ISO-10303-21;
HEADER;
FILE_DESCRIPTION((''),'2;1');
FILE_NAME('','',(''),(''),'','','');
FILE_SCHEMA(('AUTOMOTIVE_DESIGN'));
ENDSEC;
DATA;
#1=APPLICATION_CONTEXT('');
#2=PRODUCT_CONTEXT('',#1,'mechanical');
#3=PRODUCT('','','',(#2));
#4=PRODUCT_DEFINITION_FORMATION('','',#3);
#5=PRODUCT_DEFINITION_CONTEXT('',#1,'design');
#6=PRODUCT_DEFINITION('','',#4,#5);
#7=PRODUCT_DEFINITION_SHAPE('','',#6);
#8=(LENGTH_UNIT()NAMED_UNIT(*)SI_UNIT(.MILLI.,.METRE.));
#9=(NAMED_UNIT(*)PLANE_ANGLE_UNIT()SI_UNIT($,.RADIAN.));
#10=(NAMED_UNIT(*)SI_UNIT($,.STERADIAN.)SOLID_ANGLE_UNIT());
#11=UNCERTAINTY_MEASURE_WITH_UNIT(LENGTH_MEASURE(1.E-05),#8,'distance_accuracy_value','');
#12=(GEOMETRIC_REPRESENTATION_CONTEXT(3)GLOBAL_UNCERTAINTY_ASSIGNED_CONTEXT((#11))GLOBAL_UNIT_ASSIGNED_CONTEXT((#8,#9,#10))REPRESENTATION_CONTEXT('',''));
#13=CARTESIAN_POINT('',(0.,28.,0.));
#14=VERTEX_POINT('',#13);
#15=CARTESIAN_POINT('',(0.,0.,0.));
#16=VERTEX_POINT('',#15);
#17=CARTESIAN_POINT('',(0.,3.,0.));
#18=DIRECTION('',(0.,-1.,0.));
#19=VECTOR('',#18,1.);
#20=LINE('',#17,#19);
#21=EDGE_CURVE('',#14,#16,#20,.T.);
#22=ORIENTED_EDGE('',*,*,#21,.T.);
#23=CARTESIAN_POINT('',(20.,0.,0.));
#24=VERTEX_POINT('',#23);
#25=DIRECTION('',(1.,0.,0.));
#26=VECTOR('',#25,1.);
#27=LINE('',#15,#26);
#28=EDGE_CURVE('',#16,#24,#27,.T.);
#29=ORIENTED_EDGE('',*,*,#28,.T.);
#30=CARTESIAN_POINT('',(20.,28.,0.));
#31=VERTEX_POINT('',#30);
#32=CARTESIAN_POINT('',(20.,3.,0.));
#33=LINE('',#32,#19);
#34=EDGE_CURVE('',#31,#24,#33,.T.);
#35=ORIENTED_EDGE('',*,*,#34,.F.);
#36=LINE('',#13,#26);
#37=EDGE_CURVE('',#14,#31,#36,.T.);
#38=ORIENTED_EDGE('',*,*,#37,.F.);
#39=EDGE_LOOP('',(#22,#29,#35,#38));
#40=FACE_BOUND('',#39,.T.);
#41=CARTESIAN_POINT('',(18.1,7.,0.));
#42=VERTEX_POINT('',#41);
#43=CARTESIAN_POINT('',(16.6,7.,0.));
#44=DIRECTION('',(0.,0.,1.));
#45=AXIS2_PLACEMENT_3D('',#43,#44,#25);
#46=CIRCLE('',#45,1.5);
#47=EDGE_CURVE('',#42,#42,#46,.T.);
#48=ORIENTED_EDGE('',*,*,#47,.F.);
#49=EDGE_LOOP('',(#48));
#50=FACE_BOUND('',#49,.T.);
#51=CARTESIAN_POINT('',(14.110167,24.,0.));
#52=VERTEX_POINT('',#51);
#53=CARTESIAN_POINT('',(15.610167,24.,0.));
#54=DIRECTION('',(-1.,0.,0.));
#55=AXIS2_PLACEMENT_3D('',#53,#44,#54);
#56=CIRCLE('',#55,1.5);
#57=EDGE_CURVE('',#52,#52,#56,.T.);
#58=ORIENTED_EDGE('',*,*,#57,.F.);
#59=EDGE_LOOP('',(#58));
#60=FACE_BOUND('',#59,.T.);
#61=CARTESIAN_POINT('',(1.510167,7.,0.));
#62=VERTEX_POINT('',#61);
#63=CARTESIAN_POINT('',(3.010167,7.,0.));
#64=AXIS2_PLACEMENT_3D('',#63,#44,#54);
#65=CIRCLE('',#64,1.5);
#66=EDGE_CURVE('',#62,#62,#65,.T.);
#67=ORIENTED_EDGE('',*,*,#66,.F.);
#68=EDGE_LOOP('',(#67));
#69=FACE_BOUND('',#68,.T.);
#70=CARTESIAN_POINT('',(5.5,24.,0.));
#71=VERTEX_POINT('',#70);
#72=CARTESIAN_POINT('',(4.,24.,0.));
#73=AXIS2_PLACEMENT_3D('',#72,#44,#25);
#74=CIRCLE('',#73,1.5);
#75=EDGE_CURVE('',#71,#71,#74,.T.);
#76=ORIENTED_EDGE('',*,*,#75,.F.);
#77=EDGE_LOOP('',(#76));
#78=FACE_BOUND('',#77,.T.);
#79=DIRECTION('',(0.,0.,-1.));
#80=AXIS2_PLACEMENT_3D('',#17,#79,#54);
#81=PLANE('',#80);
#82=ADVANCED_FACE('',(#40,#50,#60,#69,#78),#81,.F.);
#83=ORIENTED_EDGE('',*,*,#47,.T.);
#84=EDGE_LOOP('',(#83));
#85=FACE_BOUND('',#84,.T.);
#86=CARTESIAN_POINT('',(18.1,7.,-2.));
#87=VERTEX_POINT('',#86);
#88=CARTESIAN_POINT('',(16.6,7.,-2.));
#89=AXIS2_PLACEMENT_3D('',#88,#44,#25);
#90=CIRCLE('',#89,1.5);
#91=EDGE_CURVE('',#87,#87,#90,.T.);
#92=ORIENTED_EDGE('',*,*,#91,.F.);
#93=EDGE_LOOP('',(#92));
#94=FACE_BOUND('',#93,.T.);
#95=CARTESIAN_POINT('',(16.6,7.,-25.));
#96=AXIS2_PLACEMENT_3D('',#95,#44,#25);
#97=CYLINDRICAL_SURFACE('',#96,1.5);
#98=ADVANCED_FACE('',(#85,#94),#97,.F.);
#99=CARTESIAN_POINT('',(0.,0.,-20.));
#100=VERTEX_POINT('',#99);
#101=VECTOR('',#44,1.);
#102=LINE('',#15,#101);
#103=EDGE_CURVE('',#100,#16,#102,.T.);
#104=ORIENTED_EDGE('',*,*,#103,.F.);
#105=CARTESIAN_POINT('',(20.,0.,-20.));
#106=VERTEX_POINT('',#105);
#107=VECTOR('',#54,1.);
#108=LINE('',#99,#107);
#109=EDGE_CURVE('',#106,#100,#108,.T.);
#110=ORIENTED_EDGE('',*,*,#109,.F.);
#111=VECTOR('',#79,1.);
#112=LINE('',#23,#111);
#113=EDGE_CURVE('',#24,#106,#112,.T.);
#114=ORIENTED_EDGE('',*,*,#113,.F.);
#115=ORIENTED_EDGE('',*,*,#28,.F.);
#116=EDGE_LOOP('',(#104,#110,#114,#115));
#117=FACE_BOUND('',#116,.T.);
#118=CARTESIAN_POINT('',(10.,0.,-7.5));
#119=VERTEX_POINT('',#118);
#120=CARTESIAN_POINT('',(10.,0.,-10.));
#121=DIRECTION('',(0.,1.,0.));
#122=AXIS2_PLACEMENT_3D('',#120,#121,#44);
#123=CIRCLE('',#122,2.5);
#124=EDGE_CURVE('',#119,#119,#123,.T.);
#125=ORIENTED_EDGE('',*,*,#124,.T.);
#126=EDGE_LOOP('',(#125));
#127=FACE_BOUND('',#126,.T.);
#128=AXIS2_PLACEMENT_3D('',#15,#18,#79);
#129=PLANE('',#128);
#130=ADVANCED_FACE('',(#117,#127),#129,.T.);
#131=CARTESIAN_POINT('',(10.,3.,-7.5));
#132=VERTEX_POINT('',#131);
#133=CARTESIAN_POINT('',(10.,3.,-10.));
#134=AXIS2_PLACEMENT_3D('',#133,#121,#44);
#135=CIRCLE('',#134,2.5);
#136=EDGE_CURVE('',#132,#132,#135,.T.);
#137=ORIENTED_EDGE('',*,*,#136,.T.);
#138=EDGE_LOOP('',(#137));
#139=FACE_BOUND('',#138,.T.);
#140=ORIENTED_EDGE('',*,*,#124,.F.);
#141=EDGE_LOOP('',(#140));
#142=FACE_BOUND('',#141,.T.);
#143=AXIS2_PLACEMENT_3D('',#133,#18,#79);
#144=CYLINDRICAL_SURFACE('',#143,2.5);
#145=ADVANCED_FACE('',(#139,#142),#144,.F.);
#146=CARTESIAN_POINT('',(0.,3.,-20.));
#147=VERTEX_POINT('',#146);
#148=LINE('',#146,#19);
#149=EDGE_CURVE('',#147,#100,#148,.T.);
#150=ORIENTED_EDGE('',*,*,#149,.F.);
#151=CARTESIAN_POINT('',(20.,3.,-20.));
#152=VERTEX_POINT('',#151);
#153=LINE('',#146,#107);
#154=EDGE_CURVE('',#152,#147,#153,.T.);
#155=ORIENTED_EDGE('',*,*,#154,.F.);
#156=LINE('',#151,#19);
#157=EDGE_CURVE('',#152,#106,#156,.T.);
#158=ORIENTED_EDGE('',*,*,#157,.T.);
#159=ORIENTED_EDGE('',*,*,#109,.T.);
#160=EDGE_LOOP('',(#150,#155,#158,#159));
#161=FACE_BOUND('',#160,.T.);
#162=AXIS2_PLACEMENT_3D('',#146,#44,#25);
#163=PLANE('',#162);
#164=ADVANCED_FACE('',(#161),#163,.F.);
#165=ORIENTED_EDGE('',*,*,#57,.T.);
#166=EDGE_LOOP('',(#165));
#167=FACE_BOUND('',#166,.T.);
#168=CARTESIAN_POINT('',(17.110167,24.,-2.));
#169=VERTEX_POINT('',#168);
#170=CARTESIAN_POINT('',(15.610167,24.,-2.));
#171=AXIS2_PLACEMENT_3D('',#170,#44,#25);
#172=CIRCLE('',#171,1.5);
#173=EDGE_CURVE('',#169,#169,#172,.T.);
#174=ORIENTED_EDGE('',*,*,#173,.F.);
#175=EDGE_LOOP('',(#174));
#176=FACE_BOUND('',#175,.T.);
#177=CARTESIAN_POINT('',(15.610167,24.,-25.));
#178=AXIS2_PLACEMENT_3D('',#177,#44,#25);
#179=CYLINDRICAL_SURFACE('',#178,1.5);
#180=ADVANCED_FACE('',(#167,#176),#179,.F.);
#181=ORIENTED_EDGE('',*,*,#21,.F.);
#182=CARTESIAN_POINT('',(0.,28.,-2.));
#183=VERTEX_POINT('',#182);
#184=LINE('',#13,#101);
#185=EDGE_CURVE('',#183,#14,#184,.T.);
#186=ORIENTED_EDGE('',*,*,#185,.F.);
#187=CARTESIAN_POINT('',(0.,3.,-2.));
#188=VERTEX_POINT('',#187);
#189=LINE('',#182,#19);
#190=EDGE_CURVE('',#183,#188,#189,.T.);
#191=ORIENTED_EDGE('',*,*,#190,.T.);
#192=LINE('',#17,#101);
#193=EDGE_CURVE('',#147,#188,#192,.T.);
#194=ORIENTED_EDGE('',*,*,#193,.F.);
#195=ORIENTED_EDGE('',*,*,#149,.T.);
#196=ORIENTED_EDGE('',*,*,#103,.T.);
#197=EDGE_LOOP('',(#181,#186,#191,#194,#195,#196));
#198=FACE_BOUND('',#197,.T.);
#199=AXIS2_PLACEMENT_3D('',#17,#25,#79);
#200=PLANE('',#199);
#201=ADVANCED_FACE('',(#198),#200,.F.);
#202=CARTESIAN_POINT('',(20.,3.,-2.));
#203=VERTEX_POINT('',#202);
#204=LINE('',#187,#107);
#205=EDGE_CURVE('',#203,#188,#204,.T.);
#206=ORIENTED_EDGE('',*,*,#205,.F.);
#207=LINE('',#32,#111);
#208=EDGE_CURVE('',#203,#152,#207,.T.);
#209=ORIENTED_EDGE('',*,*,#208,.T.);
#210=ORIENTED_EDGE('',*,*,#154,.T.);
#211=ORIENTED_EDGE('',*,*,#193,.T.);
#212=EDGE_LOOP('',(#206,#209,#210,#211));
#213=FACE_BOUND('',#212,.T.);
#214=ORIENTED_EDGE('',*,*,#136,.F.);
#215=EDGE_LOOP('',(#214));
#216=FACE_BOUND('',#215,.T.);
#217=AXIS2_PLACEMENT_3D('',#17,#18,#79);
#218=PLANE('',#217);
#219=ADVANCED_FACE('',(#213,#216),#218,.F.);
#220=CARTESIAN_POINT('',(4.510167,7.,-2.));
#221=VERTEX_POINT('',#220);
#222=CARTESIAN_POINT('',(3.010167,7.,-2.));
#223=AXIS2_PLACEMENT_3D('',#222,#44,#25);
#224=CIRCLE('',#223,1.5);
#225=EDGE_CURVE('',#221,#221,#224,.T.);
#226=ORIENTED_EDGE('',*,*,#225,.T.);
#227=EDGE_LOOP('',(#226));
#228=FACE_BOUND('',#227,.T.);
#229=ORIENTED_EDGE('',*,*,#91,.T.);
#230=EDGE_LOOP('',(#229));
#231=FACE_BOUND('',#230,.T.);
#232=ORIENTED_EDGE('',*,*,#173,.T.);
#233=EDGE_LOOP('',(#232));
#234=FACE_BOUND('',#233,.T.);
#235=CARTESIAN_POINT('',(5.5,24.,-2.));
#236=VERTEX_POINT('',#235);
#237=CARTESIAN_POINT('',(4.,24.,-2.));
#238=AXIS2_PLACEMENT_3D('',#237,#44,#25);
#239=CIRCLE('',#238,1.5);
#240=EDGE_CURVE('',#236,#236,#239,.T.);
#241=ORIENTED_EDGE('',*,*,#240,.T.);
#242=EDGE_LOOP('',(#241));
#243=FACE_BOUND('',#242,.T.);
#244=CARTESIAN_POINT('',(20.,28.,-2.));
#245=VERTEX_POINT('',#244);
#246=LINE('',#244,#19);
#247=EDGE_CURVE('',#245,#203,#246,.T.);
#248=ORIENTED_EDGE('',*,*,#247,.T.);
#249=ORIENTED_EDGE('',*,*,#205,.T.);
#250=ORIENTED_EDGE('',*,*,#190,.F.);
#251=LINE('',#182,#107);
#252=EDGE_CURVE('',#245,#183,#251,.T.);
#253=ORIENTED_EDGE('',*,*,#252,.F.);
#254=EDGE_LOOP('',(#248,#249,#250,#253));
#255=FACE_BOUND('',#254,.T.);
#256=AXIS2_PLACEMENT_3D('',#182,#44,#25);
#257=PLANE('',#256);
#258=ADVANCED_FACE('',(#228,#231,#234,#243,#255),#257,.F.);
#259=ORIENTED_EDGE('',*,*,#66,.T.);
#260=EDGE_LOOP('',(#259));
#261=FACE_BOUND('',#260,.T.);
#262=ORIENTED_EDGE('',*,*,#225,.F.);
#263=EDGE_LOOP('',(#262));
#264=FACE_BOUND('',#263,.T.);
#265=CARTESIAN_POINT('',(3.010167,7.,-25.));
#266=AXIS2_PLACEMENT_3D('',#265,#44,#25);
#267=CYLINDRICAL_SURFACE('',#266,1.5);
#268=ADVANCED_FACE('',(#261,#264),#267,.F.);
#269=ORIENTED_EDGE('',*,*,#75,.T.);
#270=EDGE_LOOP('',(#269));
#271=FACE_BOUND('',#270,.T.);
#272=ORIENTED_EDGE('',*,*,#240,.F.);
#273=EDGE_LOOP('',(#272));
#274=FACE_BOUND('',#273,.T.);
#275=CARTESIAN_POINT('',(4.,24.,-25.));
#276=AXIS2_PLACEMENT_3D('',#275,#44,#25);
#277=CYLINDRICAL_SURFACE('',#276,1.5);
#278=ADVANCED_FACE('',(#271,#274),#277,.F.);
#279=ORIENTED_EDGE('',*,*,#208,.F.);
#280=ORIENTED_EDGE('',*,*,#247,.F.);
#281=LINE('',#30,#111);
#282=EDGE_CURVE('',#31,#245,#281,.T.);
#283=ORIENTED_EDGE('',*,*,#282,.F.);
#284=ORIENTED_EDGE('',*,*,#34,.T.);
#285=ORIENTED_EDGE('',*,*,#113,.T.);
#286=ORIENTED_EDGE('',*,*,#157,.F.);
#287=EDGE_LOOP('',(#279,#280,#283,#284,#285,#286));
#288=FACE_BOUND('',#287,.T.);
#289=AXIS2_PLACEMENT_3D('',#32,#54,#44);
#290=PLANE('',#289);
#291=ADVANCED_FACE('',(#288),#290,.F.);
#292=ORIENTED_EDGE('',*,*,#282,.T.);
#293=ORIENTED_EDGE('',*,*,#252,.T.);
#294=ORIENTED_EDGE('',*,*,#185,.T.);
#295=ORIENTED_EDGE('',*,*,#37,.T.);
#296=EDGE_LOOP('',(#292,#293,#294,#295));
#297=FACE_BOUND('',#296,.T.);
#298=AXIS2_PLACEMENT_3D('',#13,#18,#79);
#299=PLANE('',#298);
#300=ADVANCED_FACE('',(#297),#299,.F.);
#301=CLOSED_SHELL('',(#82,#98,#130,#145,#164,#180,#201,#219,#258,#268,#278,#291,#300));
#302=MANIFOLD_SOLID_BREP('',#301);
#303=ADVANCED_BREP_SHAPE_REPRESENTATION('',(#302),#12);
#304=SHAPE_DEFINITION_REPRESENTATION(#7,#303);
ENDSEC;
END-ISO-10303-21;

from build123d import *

# Parameters (mm, degrees)
SKETCH1_W           = 20
SKETCH1_H           = 20
SKETCH1_R           = 2.5
BOSS_EXTRUDE1_DEPTH = 3
SKETCH2_W           = 20
SKETCH2_H           = 2
BOSS_EXTRUDE2_DEPTH = 25
SKETCH3_R           = 1.5
CUT_EXTRUDE1_DEPTH  = 25


with BuildPart() as part:
    # Sketch1 → Boss-Extrude1 (new body)
    with BuildSketch(Plane(origin=(0, 0, 0), x_dir=(1, 0, 0), z_dir=(0, 1, 0))):
        with Locations((10, 10)):
            Rectangle(SKETCH1_W, SKETCH1_H)
        with Locations(Location((10, 10, 0), (0, 0, 270))):
            Circle(SKETCH1_R, mode=Mode.SUBTRACT)
    extrude(amount=BOSS_EXTRUDE1_DEPTH)

    # Sketch2 → Boss-Extrude2 (add)
    with BuildSketch(Plane(origin=(0, 3, 0), x_dir=(1, 0, 0), z_dir=(0, 1, 0))):
        with Locations((10, 1)):
            Rectangle(SKETCH2_W, SKETCH2_H)
    extrude(amount=BOSS_EXTRUDE2_DEPTH)

    # Sketch3 → Cut-Extrude1 (cut)
    with BuildSketch(Plane.XY):
        with Locations((4, 24)):
            Circle(SKETCH3_R)
        with Locations((16.6, 7)):
            Circle(SKETCH3_R)
        with Locations((3.010167482, 7)):
            Circle(SKETCH3_R)
        with Locations((15.610167482, 24)):
            Circle(SKETCH3_R)
    extrude(amount=-CUT_EXTRUDE1_DEPTH, mode=Mode.SUBTRACT)


solid = part.part
